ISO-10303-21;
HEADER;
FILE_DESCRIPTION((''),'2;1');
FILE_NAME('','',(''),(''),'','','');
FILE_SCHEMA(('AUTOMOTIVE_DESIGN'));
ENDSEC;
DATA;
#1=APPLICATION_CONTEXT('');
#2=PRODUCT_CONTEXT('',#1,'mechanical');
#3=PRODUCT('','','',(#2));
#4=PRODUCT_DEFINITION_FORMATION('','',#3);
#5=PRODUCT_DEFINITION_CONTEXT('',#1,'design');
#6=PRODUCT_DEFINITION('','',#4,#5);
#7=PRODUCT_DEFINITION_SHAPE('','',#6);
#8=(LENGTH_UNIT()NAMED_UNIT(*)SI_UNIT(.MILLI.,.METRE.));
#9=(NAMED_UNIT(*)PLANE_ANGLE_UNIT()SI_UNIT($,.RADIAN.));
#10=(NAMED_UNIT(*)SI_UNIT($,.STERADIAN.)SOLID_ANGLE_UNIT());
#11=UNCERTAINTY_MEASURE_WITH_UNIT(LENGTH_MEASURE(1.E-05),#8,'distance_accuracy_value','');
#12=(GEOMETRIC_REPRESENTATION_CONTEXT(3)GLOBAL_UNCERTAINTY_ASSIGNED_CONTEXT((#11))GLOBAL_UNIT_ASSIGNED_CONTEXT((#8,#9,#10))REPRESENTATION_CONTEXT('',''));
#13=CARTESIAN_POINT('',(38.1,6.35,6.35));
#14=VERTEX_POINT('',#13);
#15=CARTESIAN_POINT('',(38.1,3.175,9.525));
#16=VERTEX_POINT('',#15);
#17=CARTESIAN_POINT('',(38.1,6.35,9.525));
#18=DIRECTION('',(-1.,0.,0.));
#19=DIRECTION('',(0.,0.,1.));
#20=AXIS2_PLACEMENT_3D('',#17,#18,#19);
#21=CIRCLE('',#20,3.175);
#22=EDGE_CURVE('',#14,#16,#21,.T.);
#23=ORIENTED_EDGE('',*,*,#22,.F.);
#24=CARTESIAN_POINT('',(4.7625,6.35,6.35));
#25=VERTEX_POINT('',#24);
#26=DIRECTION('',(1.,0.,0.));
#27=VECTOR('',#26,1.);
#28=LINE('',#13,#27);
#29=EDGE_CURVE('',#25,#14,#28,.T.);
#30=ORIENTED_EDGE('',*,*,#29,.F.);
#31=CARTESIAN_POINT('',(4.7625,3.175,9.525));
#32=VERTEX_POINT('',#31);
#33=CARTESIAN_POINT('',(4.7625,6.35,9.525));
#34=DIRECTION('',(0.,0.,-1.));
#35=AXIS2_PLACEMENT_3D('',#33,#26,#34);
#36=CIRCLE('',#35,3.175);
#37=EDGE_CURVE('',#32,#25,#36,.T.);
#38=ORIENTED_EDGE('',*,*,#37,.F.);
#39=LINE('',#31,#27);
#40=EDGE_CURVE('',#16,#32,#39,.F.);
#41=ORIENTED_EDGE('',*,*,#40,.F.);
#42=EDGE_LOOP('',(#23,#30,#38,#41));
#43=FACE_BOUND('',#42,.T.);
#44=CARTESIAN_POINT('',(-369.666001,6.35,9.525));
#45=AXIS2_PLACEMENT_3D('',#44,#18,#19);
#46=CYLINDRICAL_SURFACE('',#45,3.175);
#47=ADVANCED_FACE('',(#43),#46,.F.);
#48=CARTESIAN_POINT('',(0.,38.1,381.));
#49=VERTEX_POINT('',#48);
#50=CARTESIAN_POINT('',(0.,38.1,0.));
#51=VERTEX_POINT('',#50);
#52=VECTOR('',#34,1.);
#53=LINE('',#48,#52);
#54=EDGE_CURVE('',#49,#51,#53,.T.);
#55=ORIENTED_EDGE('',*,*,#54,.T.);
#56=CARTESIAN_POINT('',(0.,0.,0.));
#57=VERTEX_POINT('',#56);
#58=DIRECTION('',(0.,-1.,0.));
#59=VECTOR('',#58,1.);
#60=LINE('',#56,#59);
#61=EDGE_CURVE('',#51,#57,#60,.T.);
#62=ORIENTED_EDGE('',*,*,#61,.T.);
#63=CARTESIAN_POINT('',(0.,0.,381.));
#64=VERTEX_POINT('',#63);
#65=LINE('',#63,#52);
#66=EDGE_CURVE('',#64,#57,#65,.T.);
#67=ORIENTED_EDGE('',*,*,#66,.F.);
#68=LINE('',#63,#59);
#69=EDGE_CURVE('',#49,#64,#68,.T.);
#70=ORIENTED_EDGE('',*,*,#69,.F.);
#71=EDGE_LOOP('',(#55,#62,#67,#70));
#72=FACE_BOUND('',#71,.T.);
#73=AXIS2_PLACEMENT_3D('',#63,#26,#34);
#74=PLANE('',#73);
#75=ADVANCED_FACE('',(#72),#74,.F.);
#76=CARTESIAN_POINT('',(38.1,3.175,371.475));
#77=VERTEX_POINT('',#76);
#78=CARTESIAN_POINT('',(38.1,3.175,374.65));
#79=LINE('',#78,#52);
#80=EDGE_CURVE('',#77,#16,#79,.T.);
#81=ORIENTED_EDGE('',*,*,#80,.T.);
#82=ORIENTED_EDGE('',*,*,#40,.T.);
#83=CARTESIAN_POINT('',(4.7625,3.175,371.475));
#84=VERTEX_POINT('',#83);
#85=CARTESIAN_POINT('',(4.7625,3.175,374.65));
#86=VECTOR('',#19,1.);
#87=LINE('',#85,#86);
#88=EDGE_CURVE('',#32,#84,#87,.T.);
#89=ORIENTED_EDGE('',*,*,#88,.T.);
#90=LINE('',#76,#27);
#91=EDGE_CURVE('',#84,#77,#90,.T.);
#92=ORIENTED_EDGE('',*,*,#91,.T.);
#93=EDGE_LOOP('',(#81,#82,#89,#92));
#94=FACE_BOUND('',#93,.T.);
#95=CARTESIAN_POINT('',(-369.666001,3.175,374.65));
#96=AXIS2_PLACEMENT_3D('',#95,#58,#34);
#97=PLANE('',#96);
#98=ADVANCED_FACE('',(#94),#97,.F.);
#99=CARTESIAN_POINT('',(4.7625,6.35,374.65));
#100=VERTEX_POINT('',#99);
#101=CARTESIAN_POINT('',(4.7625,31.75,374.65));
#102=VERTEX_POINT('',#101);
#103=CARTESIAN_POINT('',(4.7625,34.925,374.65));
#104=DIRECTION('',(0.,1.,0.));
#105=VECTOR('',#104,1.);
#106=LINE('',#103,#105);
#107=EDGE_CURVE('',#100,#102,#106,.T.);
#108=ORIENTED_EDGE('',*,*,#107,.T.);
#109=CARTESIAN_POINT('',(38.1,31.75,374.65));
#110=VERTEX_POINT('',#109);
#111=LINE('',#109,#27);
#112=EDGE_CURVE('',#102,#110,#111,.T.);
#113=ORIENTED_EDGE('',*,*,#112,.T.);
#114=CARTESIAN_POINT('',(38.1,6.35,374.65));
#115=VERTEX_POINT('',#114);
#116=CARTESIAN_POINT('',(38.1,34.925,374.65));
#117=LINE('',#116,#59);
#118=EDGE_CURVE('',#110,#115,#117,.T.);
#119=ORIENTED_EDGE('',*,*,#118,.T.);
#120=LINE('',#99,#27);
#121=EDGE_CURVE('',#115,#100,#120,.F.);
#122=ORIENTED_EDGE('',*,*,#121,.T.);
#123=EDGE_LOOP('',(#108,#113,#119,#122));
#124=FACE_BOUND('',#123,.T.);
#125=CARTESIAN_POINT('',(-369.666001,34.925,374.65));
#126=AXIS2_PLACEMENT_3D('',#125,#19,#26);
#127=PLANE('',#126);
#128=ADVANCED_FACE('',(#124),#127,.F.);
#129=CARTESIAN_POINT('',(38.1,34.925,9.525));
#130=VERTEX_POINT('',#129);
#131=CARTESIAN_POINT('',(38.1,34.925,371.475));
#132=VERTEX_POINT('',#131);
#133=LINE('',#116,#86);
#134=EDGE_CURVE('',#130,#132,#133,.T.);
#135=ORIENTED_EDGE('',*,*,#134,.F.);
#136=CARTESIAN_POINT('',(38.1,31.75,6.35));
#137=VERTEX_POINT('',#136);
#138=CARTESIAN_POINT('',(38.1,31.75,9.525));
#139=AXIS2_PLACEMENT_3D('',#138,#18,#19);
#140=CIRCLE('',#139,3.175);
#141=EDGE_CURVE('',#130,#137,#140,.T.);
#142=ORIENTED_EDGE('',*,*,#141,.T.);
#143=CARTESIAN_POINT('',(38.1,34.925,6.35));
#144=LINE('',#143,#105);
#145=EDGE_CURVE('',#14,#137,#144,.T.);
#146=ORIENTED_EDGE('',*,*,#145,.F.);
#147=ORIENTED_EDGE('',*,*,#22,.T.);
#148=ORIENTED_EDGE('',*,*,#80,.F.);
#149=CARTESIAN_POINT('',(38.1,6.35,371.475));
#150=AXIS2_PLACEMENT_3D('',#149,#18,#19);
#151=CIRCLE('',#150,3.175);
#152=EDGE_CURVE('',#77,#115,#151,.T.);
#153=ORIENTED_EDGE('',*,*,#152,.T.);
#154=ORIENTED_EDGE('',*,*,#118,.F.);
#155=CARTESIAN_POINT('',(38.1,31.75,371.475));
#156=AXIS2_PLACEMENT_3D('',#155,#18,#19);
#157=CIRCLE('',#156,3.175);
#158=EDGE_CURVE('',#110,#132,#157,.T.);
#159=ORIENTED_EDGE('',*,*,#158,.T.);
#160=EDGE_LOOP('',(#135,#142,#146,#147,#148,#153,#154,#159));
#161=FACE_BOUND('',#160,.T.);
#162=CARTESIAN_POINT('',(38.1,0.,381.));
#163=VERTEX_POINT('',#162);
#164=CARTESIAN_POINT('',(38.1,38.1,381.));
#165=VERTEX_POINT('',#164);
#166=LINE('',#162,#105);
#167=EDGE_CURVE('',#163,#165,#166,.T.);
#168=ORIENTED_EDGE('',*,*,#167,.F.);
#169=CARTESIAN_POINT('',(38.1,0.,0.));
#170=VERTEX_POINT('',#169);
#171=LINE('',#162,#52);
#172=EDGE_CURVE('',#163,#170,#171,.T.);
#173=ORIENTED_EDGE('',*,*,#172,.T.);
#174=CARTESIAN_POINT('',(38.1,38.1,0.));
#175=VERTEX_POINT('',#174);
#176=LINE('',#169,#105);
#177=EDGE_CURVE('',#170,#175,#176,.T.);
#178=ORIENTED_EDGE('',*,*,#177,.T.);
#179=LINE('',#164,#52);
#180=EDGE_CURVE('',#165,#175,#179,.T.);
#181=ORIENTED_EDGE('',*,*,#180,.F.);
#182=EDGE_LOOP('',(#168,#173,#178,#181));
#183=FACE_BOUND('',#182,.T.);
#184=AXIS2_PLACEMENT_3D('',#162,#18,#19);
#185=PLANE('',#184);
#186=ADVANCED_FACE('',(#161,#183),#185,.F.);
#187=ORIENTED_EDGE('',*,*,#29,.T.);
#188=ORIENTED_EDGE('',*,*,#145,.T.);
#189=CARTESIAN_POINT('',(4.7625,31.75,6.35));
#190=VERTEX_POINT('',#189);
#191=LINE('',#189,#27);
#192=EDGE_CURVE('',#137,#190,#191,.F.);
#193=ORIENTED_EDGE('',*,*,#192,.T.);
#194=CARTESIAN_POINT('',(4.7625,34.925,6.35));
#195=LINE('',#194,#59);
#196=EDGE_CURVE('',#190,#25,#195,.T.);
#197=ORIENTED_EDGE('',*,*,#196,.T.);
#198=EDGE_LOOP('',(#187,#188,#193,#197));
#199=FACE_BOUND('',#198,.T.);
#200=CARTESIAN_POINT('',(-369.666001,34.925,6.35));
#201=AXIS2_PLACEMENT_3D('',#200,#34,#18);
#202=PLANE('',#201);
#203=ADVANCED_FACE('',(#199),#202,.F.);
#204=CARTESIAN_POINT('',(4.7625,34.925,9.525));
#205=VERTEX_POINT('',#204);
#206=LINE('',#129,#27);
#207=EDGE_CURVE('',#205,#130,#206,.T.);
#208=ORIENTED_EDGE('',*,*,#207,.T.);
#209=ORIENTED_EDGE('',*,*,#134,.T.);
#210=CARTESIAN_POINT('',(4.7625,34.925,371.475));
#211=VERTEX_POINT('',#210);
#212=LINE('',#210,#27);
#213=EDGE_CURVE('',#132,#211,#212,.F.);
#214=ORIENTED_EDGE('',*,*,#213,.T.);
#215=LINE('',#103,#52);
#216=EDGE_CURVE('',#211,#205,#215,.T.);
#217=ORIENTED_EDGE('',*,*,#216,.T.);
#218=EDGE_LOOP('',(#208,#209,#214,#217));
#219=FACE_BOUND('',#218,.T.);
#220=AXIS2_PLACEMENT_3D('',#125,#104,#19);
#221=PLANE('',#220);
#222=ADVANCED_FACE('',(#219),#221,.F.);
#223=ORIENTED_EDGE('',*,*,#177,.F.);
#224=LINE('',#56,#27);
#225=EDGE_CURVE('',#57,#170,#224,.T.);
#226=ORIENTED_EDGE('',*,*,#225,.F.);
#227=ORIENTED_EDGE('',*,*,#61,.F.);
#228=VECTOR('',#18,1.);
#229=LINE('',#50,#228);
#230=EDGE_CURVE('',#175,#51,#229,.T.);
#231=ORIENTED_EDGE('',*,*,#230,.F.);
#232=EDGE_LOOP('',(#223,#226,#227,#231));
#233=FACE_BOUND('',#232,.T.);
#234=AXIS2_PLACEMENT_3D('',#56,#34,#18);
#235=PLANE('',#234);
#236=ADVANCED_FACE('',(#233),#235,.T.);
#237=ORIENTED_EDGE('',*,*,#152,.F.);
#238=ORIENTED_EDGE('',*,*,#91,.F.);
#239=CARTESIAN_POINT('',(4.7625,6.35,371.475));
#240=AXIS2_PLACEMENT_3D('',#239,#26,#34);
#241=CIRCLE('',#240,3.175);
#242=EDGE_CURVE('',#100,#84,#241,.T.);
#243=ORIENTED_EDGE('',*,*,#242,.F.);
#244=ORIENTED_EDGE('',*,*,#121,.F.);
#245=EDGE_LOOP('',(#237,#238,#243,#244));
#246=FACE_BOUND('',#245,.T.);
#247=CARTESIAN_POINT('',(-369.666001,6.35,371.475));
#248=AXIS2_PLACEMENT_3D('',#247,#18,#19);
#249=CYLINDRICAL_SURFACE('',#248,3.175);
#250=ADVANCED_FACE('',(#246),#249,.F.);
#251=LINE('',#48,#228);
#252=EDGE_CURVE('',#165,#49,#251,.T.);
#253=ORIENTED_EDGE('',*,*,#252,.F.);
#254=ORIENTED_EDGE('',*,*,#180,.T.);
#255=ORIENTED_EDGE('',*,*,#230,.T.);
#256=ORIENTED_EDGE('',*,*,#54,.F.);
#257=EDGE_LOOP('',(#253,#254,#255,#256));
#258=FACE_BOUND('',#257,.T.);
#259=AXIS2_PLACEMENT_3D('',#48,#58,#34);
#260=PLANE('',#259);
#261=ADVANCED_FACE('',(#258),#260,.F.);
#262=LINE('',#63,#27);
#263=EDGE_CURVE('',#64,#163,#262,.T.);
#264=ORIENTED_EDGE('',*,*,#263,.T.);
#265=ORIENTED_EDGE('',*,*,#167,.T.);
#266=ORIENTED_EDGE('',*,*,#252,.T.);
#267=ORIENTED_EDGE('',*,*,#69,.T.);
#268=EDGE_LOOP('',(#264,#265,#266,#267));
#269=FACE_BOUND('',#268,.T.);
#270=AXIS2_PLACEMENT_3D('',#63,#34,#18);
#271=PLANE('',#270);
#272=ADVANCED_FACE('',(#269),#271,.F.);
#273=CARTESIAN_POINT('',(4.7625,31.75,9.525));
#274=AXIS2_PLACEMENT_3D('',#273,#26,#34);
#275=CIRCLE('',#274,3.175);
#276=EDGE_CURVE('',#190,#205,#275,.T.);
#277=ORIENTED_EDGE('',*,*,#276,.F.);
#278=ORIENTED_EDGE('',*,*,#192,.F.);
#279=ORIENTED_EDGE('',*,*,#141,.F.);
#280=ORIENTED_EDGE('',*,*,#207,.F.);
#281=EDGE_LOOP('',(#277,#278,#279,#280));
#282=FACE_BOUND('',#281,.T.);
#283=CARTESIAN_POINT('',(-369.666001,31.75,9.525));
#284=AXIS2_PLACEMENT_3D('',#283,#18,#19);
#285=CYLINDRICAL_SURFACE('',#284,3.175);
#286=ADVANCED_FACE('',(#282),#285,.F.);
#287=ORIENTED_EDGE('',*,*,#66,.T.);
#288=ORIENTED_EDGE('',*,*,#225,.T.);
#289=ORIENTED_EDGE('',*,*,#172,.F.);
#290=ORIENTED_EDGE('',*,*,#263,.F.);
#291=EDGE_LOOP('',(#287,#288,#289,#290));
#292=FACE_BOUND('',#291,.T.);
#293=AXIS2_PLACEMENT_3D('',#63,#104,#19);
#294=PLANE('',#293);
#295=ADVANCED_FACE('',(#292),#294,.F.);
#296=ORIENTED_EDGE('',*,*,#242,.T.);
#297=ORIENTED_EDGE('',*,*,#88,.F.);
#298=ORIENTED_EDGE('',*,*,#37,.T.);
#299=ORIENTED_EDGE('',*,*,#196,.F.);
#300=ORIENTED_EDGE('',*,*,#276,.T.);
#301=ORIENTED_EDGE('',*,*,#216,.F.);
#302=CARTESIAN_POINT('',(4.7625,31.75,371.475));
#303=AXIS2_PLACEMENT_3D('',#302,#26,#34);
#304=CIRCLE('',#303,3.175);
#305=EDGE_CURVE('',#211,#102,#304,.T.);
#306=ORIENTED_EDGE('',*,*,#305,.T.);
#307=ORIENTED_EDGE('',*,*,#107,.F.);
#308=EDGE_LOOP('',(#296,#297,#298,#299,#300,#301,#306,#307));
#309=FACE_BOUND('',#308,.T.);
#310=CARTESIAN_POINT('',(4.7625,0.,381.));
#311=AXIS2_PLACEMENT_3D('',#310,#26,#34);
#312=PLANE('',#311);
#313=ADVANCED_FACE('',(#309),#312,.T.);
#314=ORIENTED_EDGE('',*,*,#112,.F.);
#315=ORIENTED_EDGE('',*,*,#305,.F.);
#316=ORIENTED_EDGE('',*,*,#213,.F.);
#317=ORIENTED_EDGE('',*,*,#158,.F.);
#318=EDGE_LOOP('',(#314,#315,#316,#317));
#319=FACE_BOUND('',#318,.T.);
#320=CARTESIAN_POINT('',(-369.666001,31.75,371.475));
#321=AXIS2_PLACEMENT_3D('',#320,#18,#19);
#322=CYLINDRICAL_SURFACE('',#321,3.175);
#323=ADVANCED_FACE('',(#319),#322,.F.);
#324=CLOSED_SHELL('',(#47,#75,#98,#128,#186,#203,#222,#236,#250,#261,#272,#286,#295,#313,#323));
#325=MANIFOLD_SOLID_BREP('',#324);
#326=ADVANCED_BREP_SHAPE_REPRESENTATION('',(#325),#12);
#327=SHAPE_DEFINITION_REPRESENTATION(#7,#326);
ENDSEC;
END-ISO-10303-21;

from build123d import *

# Parameters (mm, degrees)
SKETCH2_W           = 38.1
SKETCH2_H           = 38.1
BOSS_EXTRUDE1_DEPTH = 381
SKETCH3_W           = 368.3
SKETCH3_H           = 31.75
CUT_EXTRUDE1_DEPTH  = 33.3375
FILLET1_R           = 3.175


with BuildPart() as part:
    # Sketch2 → Boss-Extrude1 (new body)
    with BuildSketch(Plane.XY):
        with Locations((19.05, 19.05)):
            Rectangle(SKETCH2_W, SKETCH2_H)
    extrude(amount=BOSS_EXTRUDE1_DEPTH)

    # Sketch3 → Cut-Extrude1 (cut)
    with BuildSketch(Plane(origin=(38.1, 0, 0), x_dir=(0, 0, -1), z_dir=(1, 0, 0))):
        with Locations((-190.5, 19.05)):
            Rectangle(SKETCH3_W, SKETCH3_H)
    extrude(amount=-CUT_EXTRUDE1_DEPTH, mode=Mode.SUBTRACT)

    # Fillet1
    fillet1_edges = [part.edges().sort_by_distance(p)[0] for p in [
        (21.43125, 3.175, 374.65),
        (21.43125, 34.925, 374.65),
        (21.43125, 34.925, 6.35),
        (21.43125, 3.175, 6.35),
    ]]
    fillet(fillet1_edges, radius=FILLET1_R)


solid = part.part
